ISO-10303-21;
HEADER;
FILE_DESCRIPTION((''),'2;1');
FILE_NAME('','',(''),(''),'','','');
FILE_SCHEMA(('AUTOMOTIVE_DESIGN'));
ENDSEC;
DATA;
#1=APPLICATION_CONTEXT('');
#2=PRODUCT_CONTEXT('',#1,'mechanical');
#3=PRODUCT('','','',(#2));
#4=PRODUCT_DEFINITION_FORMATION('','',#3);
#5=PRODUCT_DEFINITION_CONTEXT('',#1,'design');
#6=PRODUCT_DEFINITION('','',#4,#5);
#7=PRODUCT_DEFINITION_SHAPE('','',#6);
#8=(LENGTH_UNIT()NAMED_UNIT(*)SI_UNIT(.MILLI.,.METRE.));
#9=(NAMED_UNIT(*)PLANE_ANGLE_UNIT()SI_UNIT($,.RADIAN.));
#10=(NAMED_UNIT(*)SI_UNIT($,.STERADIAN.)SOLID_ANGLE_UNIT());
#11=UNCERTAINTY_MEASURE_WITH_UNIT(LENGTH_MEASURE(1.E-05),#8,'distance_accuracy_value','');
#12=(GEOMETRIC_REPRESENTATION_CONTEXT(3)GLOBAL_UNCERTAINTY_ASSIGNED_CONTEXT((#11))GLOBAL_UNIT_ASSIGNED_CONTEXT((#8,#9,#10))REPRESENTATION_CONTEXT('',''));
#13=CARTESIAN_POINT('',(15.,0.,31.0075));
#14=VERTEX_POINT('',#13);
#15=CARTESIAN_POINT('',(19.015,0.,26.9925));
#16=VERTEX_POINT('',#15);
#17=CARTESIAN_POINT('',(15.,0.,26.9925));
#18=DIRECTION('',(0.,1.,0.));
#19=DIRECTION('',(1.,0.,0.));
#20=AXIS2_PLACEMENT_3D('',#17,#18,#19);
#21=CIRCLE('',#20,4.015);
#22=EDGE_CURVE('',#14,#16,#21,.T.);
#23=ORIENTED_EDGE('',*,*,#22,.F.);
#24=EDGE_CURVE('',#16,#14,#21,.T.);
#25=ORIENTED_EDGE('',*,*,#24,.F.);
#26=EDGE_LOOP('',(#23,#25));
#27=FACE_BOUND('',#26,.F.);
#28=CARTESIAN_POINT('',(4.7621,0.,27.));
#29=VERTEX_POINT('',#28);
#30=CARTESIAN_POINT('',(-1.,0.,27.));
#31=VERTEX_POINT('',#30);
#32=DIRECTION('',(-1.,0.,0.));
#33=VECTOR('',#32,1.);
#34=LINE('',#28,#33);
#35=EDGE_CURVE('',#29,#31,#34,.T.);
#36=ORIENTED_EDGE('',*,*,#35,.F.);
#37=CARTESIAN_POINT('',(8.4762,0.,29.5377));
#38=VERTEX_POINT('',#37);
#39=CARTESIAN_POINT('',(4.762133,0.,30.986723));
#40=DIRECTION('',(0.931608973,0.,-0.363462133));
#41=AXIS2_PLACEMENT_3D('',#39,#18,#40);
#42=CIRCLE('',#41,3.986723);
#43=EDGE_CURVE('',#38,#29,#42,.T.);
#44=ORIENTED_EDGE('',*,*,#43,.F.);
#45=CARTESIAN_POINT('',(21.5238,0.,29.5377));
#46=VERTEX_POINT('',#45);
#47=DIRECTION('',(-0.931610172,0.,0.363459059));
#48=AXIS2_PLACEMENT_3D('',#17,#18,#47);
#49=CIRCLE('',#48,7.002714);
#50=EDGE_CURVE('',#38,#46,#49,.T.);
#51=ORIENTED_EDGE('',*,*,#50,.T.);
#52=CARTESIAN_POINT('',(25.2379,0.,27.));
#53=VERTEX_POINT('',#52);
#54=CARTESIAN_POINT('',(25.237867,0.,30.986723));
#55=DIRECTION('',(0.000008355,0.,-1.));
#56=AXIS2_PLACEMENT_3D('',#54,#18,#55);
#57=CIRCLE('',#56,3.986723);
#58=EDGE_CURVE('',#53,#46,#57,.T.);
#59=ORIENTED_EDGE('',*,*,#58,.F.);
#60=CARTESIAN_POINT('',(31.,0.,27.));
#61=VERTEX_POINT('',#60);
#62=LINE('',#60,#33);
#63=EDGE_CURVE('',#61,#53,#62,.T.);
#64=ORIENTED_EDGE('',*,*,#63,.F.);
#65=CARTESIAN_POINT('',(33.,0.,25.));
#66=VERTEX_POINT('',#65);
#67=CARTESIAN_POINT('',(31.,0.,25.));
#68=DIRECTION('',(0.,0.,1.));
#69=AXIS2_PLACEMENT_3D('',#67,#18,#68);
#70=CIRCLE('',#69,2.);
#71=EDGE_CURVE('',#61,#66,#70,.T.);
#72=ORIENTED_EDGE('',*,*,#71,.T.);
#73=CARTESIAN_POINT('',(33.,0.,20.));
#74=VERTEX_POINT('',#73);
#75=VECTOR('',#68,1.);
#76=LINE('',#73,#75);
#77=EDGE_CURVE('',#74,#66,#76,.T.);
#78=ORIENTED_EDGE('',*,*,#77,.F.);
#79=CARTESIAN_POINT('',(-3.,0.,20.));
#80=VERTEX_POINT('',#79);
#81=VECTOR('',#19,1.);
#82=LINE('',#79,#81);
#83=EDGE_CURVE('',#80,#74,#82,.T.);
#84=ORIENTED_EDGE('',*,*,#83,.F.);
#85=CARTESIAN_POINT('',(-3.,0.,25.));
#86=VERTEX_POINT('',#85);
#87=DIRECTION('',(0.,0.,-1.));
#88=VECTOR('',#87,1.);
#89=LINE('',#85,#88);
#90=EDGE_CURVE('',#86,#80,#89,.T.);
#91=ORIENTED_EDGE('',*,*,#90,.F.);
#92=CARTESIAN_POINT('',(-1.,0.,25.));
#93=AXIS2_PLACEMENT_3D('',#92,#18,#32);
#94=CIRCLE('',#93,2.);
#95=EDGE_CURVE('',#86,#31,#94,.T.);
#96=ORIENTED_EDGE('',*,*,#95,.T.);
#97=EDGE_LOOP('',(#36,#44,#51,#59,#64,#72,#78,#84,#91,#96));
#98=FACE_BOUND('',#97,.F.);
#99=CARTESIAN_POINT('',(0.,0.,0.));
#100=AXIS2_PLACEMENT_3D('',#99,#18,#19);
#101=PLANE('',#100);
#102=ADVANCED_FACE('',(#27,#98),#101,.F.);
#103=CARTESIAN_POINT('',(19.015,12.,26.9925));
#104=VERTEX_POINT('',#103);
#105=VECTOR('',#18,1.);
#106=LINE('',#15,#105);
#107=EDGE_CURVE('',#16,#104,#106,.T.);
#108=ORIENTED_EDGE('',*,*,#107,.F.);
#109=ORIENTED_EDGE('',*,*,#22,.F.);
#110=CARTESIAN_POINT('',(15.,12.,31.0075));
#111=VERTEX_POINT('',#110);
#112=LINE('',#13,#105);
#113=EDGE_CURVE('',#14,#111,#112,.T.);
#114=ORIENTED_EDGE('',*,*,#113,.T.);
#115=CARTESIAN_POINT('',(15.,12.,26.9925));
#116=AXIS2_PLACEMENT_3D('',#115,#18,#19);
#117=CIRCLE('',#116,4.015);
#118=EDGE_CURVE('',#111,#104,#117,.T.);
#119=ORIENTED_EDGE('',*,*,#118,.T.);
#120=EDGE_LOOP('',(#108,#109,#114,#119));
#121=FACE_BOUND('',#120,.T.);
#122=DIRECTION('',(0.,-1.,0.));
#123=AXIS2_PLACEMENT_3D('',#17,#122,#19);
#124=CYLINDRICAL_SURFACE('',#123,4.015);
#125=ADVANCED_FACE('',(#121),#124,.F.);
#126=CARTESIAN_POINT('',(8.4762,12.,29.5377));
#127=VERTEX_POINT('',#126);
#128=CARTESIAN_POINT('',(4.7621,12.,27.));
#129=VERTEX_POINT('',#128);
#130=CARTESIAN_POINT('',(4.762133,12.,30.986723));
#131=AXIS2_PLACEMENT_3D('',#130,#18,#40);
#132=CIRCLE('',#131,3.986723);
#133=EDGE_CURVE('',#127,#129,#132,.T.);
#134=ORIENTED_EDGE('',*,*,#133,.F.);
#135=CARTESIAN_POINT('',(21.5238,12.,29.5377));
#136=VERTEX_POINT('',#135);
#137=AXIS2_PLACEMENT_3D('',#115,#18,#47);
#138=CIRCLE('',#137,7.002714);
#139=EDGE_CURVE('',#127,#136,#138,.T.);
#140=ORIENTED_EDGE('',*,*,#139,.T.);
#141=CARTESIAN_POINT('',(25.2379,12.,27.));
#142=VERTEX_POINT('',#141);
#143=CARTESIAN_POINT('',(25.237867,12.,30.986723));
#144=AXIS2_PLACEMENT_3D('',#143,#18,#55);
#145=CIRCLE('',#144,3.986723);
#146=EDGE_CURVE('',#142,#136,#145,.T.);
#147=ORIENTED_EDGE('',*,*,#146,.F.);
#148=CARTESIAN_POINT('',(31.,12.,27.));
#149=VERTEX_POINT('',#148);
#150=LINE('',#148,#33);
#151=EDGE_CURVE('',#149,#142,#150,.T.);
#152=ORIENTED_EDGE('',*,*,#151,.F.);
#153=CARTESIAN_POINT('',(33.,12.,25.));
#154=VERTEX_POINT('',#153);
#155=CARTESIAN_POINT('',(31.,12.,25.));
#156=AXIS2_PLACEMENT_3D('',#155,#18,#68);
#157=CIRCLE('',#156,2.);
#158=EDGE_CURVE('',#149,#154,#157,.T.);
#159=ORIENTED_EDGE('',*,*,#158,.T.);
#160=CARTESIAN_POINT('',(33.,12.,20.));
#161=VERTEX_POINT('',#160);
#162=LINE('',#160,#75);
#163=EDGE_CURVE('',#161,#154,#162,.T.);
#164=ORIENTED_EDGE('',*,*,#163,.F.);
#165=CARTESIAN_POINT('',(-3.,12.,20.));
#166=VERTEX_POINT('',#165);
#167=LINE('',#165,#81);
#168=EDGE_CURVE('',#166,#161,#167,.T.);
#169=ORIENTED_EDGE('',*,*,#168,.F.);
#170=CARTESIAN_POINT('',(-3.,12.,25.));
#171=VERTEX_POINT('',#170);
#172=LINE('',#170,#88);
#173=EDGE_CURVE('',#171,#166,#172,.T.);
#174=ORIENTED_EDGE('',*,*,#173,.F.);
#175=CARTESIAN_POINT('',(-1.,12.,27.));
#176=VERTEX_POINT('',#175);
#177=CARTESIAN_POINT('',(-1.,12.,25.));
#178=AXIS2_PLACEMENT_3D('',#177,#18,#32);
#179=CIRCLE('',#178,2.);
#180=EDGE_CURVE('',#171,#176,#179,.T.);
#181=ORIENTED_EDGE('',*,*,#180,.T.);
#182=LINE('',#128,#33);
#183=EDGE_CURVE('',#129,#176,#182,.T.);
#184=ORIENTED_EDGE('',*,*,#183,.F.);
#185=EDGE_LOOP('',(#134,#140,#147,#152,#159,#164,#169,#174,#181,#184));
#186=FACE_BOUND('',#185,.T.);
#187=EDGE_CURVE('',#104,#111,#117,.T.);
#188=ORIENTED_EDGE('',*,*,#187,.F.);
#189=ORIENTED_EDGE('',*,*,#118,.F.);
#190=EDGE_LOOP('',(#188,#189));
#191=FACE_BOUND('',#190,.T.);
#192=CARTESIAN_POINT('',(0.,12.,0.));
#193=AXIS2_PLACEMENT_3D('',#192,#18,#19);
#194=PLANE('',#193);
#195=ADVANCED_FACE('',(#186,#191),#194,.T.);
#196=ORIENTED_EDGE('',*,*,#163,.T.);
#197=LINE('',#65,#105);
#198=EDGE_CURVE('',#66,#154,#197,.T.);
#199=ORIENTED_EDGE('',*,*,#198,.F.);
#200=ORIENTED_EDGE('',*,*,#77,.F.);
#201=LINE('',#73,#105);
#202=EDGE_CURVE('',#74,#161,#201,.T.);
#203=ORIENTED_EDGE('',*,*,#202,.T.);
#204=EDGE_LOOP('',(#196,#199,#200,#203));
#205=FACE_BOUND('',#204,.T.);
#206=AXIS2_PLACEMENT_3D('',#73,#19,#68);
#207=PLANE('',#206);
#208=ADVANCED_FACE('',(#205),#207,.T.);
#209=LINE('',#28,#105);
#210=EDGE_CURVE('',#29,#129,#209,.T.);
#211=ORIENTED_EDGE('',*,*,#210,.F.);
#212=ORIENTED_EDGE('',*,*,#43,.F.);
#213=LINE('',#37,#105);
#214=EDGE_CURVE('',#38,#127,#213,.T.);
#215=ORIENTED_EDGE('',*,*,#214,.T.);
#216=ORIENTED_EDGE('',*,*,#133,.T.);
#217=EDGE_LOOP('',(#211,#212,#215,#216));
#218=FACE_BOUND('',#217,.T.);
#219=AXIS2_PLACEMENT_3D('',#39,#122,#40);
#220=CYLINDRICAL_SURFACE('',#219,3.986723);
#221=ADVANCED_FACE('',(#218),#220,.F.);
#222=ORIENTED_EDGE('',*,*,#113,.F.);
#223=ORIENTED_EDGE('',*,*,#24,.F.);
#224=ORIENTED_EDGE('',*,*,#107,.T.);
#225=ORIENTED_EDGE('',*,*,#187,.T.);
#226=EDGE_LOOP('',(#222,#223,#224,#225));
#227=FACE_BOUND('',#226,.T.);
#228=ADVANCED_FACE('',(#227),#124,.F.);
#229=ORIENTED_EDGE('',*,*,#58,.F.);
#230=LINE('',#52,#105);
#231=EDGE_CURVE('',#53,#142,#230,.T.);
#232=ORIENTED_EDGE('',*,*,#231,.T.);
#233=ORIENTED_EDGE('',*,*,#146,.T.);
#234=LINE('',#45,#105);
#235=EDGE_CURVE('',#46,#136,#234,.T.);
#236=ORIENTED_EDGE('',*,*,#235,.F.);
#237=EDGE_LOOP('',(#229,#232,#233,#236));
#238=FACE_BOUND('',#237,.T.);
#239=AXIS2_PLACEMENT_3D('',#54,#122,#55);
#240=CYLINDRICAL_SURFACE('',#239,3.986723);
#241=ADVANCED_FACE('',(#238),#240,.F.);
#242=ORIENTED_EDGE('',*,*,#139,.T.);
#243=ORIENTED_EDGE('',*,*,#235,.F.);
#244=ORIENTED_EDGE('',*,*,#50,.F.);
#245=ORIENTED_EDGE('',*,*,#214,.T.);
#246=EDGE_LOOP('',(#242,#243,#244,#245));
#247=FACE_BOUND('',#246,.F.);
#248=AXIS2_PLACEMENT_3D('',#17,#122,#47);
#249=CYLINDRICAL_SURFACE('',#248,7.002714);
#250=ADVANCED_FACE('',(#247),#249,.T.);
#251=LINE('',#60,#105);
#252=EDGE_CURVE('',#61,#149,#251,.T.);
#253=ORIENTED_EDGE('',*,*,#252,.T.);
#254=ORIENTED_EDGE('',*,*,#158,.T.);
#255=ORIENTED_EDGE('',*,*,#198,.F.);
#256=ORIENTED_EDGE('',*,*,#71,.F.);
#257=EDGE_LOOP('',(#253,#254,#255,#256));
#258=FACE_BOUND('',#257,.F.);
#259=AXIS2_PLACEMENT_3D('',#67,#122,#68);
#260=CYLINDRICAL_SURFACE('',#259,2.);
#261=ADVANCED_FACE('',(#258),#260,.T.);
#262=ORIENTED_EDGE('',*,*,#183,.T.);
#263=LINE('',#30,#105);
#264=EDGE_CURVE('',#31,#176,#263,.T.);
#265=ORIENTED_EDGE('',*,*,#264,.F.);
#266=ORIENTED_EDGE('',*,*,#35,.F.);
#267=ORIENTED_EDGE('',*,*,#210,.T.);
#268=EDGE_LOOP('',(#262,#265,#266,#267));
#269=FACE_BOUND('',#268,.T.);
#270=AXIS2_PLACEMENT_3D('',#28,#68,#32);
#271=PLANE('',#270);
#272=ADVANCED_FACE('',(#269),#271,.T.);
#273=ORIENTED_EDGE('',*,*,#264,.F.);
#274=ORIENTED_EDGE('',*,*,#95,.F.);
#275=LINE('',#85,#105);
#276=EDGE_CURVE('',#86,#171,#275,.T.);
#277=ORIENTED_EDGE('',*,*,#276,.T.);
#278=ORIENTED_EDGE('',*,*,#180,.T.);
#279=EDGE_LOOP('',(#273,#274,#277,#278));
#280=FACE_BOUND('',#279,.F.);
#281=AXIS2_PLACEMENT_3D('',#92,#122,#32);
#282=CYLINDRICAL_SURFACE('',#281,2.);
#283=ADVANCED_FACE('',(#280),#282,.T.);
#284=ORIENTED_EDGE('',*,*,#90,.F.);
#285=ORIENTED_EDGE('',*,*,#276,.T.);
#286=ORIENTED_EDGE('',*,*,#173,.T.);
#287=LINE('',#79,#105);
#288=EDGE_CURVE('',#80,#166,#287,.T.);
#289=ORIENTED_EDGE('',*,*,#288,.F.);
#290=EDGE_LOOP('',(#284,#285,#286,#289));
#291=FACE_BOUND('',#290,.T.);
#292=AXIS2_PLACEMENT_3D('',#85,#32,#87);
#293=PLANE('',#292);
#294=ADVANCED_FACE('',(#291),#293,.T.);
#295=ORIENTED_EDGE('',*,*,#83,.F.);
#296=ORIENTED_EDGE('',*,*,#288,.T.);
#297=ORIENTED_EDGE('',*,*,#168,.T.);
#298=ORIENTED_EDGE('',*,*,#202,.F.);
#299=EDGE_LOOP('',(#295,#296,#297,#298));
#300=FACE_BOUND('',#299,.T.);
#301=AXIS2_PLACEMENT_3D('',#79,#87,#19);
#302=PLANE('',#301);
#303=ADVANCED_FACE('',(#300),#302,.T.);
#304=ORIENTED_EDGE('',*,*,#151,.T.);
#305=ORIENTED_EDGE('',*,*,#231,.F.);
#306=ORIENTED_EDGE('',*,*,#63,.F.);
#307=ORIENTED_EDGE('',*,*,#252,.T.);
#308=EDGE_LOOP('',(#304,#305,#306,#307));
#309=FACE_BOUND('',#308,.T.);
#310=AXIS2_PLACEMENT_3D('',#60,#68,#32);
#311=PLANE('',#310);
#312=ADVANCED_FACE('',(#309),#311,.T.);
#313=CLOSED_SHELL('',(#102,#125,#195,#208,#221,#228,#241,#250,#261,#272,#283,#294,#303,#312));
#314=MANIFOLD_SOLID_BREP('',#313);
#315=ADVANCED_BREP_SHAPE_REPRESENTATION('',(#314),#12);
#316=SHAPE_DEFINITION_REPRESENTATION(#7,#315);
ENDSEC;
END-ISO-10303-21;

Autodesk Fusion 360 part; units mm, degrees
sketch "Sketch1" plane through (0, 0, 0) normal (0, 1, 0) x (1, 0, 0)
  line L0 (4.7621, -27) -> (-1, -27)
  line L1 (-3, -25) -> (-3, -20)
  line L2 (-3, -20) -> (33, -20)
  line L3 (33, -20) -> (33, -25)
  line L4 (31, -27) -> (25.2379, -27)
  circle A0 centre (15, -26.9925) radius 4.015
  arc A1 (8.4762, -29.5377) -> (21.5238, -29.5377) centre (15, -26.9925) ccw
  arc A2 (25.2379, -27) -> (21.5238, -29.5377) centre (25.2379, -30.9867) ccw
  line L5 (15, -31.0075) -> (15, -32)
  arc A3 (8.4762, -29.5377) -> (4.7621, -27) centre (4.7621, -30.9867) ccw
  arc A4 (-3, -25) -> (-1, -27) centre (-1, -25) ccw
  arc A5 (31, -27) -> (33, -25) centre (31, -25) ccw
  dimension "d1" = 8.03
  dimension "d2" = 2
  dimension "d3" = 2
extrude "Extrude1" add sketch "Sketch1" along normal blind 12
